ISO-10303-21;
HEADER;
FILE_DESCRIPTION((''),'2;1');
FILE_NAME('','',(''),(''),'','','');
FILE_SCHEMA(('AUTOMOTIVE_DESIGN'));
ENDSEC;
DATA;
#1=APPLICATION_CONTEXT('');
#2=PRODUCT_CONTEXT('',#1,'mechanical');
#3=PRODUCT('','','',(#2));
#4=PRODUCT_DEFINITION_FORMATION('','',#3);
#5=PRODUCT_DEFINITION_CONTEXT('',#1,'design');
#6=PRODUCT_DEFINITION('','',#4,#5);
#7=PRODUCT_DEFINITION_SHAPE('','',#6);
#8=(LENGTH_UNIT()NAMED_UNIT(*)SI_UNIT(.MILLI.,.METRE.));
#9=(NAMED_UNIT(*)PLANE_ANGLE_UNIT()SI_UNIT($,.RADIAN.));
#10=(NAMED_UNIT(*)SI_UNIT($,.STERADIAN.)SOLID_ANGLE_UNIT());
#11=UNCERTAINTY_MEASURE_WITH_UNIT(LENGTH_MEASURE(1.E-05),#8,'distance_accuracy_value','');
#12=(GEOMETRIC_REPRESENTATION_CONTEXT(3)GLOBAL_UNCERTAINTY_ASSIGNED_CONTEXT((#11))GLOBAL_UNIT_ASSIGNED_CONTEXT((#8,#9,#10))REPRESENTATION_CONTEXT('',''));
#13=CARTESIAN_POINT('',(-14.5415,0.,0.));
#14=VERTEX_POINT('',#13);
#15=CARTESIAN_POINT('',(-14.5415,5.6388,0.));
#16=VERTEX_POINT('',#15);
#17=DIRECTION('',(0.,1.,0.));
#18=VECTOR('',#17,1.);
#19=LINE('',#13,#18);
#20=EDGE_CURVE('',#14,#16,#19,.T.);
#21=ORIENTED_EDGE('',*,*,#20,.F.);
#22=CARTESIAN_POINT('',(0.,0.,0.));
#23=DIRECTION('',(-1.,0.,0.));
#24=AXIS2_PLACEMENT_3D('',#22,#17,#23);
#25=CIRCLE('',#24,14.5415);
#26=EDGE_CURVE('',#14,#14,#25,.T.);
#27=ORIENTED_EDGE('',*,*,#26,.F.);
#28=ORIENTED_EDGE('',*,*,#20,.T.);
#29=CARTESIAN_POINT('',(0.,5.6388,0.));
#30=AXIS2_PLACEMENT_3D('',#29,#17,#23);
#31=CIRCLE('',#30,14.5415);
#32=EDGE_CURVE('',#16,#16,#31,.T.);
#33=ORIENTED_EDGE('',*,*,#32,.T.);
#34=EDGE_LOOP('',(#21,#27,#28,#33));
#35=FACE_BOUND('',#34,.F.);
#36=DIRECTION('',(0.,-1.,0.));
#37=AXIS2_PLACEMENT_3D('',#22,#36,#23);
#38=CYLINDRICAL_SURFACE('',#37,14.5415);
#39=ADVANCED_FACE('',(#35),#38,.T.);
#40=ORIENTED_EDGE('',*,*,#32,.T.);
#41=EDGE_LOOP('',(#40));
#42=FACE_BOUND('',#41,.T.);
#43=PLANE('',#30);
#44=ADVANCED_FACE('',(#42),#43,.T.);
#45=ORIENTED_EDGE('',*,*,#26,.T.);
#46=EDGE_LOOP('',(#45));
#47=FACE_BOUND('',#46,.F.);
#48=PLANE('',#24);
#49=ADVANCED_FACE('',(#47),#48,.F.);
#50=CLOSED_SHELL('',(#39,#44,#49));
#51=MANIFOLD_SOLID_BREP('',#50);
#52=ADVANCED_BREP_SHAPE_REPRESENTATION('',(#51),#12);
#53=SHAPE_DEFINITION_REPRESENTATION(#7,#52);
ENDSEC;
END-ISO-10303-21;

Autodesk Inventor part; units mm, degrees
ref_plane "YZ Plane" through (0, 0, 0) normal (1, 0, 0) x (0, 1, 0)
ref_plane "XZ Plane" through (0, 0, 0) normal (0, 1, 0) x (-1, 0, 0)
ref_plane "XY Plane" through (0, 0, 0) normal (0, 0, 1) x (1, 0, 0)
sketch "Sketch1" plane through (0, 0, 0) normal (0, 1, 0) x (-1, 0, 0)
  circle A0 centre (0, 0) radius 14.5415
  dimension "d0" = 29.083
extrude "Extrusion1" add sketch "Sketch1" along normal blind 5.6388
properties part number "battery board"
